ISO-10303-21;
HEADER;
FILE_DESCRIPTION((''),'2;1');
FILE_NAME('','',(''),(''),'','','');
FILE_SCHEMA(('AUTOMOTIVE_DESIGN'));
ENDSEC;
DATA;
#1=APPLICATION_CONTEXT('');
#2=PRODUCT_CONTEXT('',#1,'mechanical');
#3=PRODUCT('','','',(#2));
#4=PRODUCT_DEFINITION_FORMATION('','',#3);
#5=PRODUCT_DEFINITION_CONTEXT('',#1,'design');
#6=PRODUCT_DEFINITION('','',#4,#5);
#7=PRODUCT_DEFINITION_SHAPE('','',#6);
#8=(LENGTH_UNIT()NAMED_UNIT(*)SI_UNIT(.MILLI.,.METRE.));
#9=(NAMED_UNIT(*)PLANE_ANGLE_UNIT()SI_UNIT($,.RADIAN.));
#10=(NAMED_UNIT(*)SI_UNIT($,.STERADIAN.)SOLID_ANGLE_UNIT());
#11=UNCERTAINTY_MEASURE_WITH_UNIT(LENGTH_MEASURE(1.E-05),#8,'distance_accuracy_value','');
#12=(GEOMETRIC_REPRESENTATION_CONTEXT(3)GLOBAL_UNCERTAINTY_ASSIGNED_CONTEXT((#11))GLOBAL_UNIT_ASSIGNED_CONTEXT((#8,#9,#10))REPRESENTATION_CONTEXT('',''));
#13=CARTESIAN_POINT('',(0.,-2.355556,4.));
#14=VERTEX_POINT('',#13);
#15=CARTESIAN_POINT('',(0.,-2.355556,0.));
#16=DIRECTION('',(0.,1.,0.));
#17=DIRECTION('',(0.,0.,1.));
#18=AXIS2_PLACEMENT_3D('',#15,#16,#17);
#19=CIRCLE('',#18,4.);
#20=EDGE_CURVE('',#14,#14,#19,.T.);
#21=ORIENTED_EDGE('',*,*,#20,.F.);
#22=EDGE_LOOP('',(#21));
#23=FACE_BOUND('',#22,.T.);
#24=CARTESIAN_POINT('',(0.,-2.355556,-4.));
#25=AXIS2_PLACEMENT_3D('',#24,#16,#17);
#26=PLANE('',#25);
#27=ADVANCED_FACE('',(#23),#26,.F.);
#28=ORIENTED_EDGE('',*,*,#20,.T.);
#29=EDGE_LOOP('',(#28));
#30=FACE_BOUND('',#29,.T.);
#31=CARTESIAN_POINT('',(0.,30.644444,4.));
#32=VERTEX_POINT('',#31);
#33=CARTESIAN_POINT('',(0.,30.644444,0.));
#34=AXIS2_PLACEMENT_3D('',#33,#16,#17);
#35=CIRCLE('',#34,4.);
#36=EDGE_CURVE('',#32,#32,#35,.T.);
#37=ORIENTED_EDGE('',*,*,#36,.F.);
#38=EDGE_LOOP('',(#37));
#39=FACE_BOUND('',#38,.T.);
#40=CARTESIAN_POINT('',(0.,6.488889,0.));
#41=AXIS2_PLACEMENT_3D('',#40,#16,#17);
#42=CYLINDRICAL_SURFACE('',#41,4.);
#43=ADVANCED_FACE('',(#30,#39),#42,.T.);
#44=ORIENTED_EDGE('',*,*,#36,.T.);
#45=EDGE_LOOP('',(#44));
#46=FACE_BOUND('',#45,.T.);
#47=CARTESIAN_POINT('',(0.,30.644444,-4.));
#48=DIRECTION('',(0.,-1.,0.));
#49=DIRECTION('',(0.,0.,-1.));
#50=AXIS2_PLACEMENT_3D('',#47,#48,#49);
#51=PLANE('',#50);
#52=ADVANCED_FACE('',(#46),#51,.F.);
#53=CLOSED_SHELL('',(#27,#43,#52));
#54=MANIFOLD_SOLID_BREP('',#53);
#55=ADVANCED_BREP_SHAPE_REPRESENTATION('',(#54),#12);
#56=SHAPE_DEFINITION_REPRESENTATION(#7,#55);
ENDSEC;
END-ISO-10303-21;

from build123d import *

# Parameters (mm, degrees)
SKETCH1_W = 4
SKETCH1_H = 33


with BuildPart() as part:
    # Sketch1 → Revolve1 (revolve)
    with BuildSketch(Plane(origin=(0, 0, 0), x_dir=(0, 0, -1), z_dir=(1, 0, 0)), mode=Mode.PRIVATE) as revolve1_sk:
        with Locations((2, 14.144444444)):
            Rectangle(SKETCH1_W, SKETCH1_H)
    revolve(revolve1_sk.sketch.rotate(Axis((0, 6.488888889, 0), (0, -1, 0)), 180), axis=Axis((0, 6.488888889, 0), (0, -1, 0)))


solid = part.part
